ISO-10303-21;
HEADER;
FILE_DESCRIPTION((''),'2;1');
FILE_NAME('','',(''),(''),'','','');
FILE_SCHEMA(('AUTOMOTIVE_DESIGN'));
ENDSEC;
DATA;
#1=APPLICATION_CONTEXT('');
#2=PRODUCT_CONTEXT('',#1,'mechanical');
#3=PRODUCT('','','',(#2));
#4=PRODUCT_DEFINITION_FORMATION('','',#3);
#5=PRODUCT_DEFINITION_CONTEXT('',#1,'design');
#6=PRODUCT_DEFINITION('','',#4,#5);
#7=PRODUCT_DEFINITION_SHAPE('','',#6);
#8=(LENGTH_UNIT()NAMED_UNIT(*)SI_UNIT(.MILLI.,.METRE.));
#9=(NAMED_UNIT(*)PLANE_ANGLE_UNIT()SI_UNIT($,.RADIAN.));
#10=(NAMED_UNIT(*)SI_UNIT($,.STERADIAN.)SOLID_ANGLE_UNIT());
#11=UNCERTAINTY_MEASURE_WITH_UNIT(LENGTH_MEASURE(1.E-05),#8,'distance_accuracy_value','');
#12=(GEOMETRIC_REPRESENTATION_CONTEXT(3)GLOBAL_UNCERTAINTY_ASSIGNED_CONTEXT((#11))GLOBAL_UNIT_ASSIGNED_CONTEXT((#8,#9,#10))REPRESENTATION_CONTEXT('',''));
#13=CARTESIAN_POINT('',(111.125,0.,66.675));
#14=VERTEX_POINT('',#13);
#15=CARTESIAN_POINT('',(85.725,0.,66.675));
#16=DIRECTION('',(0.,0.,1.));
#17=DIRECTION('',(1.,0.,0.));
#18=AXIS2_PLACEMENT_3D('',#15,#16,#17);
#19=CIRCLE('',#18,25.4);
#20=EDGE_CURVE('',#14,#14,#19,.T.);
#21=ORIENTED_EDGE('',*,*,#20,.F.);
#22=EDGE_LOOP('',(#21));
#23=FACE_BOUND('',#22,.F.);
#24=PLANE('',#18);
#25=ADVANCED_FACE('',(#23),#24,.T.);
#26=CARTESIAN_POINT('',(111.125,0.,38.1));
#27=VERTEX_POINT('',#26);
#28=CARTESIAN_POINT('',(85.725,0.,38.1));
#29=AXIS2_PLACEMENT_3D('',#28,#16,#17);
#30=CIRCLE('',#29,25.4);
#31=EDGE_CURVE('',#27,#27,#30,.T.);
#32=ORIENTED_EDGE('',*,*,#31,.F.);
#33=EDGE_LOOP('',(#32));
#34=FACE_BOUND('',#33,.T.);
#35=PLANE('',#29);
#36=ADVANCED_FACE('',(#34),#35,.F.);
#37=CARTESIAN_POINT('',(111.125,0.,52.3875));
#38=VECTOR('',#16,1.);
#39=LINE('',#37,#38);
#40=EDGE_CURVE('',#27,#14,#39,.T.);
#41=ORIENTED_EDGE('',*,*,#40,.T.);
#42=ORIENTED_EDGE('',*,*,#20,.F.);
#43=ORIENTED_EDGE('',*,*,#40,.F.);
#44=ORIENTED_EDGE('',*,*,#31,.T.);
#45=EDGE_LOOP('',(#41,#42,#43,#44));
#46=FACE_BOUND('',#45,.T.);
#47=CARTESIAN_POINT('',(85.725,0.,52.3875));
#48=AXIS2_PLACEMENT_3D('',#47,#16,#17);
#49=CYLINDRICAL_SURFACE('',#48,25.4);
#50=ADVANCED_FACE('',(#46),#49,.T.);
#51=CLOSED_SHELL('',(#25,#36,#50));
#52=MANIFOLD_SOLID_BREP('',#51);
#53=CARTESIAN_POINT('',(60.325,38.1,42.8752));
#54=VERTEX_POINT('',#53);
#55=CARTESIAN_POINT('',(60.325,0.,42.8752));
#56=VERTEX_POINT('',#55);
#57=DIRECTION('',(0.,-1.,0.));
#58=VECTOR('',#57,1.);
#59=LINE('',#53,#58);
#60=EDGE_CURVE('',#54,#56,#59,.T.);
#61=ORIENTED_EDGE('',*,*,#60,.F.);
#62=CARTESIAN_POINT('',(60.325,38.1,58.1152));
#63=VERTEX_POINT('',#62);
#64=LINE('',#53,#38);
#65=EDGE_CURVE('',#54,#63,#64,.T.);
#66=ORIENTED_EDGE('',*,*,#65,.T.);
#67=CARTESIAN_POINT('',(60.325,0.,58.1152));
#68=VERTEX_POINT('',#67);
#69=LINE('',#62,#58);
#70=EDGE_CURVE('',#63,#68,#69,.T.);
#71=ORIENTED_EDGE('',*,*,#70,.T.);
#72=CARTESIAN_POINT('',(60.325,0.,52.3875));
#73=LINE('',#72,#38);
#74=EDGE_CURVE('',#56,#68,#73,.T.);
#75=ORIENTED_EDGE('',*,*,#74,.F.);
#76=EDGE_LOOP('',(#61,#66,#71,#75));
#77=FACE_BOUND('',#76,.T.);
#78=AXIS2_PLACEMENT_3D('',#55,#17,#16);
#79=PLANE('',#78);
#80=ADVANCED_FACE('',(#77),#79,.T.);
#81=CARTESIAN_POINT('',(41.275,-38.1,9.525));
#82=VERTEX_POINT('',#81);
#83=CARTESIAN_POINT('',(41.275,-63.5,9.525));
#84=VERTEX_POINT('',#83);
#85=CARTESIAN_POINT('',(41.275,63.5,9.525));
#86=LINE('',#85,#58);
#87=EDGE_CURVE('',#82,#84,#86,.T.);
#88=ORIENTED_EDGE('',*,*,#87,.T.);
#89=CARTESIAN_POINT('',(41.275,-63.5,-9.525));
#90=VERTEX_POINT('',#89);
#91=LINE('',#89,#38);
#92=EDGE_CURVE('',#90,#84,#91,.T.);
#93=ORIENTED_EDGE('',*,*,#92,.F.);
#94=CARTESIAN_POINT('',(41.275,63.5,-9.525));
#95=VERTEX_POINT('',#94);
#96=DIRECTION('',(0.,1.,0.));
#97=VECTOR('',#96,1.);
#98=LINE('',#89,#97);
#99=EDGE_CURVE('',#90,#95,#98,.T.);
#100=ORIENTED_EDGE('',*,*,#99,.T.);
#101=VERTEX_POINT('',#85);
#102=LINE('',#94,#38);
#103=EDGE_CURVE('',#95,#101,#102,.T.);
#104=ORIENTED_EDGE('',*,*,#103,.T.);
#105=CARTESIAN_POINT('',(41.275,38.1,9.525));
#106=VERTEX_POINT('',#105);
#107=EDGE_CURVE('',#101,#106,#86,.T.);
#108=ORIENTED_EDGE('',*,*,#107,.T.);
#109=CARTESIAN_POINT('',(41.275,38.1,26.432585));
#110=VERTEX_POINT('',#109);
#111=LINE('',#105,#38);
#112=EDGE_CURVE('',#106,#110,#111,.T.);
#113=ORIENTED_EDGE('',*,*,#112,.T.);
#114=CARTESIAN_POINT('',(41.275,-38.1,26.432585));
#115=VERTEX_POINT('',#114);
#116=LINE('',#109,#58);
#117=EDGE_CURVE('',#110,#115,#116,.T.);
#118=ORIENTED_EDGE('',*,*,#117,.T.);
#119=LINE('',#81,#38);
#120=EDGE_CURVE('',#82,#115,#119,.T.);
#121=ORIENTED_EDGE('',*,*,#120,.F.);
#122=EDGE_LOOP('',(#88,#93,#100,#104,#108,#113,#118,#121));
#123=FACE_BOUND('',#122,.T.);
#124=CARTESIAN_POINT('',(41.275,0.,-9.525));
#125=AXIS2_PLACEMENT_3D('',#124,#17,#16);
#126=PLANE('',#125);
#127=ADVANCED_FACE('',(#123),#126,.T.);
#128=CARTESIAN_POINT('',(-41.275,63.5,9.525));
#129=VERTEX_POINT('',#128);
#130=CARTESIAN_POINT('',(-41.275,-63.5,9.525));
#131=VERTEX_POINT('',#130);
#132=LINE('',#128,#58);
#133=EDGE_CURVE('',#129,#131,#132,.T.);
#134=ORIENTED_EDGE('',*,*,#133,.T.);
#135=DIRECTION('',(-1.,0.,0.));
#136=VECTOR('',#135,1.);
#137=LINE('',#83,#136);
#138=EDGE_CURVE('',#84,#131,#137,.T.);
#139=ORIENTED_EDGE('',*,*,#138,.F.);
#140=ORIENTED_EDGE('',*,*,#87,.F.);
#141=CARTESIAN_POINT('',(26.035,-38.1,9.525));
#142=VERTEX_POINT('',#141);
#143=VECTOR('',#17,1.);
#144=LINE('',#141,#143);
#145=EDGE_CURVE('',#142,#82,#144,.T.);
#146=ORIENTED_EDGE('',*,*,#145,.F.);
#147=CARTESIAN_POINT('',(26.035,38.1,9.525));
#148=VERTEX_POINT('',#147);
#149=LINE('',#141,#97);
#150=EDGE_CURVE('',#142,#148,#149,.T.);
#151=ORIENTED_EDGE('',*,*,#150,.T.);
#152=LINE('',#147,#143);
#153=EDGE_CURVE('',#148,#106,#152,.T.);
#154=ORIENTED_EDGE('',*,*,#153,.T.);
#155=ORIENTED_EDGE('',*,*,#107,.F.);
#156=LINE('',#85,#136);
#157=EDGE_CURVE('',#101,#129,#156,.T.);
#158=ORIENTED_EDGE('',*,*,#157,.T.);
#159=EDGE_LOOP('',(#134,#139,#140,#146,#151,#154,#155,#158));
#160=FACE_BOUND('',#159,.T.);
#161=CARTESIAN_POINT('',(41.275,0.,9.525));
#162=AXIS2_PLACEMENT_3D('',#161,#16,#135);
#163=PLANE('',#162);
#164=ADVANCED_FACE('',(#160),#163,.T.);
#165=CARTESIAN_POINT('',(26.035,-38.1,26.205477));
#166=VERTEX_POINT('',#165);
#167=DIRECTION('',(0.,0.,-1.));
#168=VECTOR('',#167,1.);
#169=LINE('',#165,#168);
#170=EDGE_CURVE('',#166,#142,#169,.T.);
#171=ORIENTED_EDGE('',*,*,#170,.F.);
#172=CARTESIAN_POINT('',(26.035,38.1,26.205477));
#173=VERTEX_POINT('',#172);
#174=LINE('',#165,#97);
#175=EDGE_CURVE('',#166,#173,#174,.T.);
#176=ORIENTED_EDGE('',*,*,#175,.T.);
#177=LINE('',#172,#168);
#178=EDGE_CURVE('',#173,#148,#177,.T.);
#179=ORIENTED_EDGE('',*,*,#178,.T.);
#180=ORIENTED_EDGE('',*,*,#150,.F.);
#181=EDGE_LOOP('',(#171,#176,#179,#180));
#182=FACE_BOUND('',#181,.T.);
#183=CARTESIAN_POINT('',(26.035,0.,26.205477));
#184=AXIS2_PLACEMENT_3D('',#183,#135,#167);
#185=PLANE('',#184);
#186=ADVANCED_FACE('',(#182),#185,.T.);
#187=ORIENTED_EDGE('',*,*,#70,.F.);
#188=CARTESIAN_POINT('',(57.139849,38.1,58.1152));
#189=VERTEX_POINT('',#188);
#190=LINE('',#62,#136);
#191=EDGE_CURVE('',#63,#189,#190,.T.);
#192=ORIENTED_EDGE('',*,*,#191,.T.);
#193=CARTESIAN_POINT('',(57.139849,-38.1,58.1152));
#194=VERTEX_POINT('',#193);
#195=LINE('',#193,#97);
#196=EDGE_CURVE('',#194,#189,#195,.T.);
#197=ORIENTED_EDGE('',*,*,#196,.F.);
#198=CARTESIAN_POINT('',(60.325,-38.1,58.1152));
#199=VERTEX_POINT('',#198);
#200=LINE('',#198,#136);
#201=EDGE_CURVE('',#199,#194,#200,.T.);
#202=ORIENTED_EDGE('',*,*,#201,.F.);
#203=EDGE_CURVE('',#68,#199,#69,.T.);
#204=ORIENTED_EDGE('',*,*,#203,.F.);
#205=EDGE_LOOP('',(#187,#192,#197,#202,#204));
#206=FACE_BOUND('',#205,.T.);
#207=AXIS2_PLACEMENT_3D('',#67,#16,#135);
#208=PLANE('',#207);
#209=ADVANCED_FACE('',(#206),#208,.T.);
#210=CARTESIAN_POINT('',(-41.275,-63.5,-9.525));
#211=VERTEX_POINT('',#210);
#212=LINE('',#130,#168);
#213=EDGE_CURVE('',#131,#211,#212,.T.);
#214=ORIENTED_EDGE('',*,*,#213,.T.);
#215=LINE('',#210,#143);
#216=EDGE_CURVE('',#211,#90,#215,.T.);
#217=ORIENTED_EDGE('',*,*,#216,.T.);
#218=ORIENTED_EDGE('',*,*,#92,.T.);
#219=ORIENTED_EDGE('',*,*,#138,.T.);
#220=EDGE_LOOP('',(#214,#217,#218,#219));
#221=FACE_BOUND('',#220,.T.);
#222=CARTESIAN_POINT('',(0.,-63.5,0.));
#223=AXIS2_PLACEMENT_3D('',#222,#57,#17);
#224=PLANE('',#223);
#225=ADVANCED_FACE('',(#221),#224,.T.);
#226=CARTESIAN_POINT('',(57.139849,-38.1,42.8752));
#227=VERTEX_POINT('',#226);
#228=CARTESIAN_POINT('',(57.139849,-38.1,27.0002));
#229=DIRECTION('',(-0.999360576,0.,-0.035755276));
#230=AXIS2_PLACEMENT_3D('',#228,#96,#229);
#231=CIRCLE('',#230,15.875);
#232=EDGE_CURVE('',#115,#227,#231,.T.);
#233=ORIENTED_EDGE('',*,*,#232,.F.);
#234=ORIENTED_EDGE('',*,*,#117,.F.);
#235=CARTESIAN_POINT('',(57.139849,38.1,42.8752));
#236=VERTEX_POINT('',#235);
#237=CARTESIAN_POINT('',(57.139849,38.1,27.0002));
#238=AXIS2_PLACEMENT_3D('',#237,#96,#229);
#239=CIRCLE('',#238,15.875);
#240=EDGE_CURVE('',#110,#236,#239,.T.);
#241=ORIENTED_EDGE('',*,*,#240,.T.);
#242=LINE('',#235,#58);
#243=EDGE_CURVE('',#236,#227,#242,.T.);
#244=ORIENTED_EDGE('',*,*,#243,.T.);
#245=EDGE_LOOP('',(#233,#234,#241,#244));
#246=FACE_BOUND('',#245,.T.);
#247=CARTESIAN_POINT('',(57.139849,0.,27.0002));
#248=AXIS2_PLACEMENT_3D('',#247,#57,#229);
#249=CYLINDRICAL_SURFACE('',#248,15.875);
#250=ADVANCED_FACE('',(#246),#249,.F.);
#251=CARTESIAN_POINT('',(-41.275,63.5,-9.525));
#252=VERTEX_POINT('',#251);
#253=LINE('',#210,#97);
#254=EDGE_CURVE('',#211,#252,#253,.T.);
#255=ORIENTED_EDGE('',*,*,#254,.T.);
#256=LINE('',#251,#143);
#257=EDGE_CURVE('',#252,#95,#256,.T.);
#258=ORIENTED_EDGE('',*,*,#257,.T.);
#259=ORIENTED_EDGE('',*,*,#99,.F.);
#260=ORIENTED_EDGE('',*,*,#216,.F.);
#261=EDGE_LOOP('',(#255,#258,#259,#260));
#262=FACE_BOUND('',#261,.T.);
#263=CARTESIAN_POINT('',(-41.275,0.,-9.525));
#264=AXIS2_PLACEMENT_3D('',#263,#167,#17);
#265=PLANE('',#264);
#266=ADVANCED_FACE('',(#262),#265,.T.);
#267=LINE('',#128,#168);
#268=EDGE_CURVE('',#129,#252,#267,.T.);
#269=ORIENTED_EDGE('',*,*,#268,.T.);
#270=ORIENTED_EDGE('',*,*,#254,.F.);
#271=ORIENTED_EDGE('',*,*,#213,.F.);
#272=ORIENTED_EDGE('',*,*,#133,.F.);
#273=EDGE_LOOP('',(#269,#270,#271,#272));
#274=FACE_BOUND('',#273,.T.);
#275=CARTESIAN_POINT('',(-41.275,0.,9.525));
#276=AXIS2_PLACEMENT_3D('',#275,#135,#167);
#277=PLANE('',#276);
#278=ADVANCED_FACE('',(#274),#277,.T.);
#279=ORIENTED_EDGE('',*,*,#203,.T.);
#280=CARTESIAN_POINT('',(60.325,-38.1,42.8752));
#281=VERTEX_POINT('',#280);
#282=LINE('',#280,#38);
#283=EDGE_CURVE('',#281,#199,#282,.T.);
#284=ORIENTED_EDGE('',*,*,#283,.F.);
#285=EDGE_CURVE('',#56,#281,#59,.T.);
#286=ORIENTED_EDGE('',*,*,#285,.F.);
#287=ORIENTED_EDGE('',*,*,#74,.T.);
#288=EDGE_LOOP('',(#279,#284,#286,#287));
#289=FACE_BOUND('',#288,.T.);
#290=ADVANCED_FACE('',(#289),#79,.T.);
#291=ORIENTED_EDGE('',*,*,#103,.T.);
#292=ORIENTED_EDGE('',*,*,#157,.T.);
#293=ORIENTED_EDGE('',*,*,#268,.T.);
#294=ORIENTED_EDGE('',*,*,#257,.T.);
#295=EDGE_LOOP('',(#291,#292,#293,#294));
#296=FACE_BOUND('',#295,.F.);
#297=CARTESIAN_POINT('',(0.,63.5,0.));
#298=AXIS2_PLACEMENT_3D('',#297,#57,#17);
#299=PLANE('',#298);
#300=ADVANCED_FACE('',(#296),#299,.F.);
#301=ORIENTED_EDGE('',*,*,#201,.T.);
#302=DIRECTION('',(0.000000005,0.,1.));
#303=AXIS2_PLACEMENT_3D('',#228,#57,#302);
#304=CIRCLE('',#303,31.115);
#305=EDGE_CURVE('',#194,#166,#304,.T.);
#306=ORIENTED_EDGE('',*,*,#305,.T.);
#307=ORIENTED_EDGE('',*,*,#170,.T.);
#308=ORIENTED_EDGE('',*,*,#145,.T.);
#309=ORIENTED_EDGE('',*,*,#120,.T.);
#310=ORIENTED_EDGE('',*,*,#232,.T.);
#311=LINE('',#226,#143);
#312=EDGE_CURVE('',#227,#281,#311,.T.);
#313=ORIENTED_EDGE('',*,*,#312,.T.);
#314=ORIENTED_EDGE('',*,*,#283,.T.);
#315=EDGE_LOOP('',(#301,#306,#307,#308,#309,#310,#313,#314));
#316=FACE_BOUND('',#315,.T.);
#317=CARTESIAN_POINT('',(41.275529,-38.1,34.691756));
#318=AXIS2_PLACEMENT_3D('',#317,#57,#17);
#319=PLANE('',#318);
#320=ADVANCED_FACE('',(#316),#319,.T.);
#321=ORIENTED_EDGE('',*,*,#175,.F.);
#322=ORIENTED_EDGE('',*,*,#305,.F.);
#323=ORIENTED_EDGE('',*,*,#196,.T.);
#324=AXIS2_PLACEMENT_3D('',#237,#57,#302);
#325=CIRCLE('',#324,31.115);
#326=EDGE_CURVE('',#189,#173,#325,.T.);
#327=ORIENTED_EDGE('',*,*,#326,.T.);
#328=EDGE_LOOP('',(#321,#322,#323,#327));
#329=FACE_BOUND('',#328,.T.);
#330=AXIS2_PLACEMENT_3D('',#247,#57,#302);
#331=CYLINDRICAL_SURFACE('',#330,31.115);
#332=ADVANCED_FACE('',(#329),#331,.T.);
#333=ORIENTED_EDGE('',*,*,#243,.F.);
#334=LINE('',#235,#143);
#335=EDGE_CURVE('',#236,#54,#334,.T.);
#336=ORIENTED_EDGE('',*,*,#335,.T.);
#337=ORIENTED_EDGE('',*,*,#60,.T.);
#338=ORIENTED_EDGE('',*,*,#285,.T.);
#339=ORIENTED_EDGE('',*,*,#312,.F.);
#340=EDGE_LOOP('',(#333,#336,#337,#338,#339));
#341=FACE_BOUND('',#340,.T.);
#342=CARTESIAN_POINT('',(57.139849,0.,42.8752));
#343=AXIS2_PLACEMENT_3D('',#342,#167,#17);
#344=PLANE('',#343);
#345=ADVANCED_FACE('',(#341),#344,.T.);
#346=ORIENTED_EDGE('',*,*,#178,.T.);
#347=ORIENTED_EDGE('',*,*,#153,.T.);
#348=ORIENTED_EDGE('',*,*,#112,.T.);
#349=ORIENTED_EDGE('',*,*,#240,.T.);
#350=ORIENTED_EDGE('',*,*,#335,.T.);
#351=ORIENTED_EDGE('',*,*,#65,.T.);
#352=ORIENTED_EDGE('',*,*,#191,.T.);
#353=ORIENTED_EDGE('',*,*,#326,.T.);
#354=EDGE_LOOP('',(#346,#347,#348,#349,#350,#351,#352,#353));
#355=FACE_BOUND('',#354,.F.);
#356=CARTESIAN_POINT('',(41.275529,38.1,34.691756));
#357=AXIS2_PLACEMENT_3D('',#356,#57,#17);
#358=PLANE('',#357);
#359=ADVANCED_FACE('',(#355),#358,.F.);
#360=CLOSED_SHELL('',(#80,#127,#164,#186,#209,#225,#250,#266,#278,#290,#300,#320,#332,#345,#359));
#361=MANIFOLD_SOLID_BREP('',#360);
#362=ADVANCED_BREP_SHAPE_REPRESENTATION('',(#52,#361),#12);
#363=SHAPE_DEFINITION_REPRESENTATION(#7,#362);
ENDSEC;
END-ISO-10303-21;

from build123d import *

# Parameters (mm, degrees)
F1_DEPTH = 63.5
F2_DEPTH = 38.1
F0_W     = 25.4
F0_H     = 28.575


with BuildPart() as f1:
    # F0 (on Front) → F1 (new body, symmetric)
    with BuildSketch(Plane.XZ):
        Polygon((41.275, -9.525), (41.275, 9.525), (26.035, 9.525), (-41.275, 9.525), (-41.275, -9.525), align=None)
    extrude(amount=F1_DEPTH, both=True)

    # F0 (on Front) → F2 (join, symmetric)
    with BuildSketch(Plane.XZ):
        with BuildLine():
            Line((26.035, 9.525), (41.275, 9.525))
            Line((41.275, 9.525), (41.275, 26.432585))
            ThreePointArc((41.275, 26.432585), (45.715609, 38.023011), (57.139849, 42.8752))
            Line((57.139849, 42.8752), (60.325, 42.8752))
            Line((60.325, 42.8752), (60.325, 58.1152))
            Line((60.325, 58.1152), (57.139849, 58.1152))
            ThreePointArc((57.139849, 58.1152), (34.859016, 48.719033), (26.035, 26.205477))
            Line((26.035, 26.205477), (26.035, 9.525))
        make_face()
    extrude(amount=F2_DEPTH, both=True)

    # F0 (on Front) → F3 (revolve)
    with BuildSketch(Plane.XZ):
        with Locations((98.425, 52.3875)):
            Rectangle(F0_W, F0_H)
    revolve(axis=Axis((85.725, 0, 52.3875), (0, 0, 1)))


solid = f1.part
